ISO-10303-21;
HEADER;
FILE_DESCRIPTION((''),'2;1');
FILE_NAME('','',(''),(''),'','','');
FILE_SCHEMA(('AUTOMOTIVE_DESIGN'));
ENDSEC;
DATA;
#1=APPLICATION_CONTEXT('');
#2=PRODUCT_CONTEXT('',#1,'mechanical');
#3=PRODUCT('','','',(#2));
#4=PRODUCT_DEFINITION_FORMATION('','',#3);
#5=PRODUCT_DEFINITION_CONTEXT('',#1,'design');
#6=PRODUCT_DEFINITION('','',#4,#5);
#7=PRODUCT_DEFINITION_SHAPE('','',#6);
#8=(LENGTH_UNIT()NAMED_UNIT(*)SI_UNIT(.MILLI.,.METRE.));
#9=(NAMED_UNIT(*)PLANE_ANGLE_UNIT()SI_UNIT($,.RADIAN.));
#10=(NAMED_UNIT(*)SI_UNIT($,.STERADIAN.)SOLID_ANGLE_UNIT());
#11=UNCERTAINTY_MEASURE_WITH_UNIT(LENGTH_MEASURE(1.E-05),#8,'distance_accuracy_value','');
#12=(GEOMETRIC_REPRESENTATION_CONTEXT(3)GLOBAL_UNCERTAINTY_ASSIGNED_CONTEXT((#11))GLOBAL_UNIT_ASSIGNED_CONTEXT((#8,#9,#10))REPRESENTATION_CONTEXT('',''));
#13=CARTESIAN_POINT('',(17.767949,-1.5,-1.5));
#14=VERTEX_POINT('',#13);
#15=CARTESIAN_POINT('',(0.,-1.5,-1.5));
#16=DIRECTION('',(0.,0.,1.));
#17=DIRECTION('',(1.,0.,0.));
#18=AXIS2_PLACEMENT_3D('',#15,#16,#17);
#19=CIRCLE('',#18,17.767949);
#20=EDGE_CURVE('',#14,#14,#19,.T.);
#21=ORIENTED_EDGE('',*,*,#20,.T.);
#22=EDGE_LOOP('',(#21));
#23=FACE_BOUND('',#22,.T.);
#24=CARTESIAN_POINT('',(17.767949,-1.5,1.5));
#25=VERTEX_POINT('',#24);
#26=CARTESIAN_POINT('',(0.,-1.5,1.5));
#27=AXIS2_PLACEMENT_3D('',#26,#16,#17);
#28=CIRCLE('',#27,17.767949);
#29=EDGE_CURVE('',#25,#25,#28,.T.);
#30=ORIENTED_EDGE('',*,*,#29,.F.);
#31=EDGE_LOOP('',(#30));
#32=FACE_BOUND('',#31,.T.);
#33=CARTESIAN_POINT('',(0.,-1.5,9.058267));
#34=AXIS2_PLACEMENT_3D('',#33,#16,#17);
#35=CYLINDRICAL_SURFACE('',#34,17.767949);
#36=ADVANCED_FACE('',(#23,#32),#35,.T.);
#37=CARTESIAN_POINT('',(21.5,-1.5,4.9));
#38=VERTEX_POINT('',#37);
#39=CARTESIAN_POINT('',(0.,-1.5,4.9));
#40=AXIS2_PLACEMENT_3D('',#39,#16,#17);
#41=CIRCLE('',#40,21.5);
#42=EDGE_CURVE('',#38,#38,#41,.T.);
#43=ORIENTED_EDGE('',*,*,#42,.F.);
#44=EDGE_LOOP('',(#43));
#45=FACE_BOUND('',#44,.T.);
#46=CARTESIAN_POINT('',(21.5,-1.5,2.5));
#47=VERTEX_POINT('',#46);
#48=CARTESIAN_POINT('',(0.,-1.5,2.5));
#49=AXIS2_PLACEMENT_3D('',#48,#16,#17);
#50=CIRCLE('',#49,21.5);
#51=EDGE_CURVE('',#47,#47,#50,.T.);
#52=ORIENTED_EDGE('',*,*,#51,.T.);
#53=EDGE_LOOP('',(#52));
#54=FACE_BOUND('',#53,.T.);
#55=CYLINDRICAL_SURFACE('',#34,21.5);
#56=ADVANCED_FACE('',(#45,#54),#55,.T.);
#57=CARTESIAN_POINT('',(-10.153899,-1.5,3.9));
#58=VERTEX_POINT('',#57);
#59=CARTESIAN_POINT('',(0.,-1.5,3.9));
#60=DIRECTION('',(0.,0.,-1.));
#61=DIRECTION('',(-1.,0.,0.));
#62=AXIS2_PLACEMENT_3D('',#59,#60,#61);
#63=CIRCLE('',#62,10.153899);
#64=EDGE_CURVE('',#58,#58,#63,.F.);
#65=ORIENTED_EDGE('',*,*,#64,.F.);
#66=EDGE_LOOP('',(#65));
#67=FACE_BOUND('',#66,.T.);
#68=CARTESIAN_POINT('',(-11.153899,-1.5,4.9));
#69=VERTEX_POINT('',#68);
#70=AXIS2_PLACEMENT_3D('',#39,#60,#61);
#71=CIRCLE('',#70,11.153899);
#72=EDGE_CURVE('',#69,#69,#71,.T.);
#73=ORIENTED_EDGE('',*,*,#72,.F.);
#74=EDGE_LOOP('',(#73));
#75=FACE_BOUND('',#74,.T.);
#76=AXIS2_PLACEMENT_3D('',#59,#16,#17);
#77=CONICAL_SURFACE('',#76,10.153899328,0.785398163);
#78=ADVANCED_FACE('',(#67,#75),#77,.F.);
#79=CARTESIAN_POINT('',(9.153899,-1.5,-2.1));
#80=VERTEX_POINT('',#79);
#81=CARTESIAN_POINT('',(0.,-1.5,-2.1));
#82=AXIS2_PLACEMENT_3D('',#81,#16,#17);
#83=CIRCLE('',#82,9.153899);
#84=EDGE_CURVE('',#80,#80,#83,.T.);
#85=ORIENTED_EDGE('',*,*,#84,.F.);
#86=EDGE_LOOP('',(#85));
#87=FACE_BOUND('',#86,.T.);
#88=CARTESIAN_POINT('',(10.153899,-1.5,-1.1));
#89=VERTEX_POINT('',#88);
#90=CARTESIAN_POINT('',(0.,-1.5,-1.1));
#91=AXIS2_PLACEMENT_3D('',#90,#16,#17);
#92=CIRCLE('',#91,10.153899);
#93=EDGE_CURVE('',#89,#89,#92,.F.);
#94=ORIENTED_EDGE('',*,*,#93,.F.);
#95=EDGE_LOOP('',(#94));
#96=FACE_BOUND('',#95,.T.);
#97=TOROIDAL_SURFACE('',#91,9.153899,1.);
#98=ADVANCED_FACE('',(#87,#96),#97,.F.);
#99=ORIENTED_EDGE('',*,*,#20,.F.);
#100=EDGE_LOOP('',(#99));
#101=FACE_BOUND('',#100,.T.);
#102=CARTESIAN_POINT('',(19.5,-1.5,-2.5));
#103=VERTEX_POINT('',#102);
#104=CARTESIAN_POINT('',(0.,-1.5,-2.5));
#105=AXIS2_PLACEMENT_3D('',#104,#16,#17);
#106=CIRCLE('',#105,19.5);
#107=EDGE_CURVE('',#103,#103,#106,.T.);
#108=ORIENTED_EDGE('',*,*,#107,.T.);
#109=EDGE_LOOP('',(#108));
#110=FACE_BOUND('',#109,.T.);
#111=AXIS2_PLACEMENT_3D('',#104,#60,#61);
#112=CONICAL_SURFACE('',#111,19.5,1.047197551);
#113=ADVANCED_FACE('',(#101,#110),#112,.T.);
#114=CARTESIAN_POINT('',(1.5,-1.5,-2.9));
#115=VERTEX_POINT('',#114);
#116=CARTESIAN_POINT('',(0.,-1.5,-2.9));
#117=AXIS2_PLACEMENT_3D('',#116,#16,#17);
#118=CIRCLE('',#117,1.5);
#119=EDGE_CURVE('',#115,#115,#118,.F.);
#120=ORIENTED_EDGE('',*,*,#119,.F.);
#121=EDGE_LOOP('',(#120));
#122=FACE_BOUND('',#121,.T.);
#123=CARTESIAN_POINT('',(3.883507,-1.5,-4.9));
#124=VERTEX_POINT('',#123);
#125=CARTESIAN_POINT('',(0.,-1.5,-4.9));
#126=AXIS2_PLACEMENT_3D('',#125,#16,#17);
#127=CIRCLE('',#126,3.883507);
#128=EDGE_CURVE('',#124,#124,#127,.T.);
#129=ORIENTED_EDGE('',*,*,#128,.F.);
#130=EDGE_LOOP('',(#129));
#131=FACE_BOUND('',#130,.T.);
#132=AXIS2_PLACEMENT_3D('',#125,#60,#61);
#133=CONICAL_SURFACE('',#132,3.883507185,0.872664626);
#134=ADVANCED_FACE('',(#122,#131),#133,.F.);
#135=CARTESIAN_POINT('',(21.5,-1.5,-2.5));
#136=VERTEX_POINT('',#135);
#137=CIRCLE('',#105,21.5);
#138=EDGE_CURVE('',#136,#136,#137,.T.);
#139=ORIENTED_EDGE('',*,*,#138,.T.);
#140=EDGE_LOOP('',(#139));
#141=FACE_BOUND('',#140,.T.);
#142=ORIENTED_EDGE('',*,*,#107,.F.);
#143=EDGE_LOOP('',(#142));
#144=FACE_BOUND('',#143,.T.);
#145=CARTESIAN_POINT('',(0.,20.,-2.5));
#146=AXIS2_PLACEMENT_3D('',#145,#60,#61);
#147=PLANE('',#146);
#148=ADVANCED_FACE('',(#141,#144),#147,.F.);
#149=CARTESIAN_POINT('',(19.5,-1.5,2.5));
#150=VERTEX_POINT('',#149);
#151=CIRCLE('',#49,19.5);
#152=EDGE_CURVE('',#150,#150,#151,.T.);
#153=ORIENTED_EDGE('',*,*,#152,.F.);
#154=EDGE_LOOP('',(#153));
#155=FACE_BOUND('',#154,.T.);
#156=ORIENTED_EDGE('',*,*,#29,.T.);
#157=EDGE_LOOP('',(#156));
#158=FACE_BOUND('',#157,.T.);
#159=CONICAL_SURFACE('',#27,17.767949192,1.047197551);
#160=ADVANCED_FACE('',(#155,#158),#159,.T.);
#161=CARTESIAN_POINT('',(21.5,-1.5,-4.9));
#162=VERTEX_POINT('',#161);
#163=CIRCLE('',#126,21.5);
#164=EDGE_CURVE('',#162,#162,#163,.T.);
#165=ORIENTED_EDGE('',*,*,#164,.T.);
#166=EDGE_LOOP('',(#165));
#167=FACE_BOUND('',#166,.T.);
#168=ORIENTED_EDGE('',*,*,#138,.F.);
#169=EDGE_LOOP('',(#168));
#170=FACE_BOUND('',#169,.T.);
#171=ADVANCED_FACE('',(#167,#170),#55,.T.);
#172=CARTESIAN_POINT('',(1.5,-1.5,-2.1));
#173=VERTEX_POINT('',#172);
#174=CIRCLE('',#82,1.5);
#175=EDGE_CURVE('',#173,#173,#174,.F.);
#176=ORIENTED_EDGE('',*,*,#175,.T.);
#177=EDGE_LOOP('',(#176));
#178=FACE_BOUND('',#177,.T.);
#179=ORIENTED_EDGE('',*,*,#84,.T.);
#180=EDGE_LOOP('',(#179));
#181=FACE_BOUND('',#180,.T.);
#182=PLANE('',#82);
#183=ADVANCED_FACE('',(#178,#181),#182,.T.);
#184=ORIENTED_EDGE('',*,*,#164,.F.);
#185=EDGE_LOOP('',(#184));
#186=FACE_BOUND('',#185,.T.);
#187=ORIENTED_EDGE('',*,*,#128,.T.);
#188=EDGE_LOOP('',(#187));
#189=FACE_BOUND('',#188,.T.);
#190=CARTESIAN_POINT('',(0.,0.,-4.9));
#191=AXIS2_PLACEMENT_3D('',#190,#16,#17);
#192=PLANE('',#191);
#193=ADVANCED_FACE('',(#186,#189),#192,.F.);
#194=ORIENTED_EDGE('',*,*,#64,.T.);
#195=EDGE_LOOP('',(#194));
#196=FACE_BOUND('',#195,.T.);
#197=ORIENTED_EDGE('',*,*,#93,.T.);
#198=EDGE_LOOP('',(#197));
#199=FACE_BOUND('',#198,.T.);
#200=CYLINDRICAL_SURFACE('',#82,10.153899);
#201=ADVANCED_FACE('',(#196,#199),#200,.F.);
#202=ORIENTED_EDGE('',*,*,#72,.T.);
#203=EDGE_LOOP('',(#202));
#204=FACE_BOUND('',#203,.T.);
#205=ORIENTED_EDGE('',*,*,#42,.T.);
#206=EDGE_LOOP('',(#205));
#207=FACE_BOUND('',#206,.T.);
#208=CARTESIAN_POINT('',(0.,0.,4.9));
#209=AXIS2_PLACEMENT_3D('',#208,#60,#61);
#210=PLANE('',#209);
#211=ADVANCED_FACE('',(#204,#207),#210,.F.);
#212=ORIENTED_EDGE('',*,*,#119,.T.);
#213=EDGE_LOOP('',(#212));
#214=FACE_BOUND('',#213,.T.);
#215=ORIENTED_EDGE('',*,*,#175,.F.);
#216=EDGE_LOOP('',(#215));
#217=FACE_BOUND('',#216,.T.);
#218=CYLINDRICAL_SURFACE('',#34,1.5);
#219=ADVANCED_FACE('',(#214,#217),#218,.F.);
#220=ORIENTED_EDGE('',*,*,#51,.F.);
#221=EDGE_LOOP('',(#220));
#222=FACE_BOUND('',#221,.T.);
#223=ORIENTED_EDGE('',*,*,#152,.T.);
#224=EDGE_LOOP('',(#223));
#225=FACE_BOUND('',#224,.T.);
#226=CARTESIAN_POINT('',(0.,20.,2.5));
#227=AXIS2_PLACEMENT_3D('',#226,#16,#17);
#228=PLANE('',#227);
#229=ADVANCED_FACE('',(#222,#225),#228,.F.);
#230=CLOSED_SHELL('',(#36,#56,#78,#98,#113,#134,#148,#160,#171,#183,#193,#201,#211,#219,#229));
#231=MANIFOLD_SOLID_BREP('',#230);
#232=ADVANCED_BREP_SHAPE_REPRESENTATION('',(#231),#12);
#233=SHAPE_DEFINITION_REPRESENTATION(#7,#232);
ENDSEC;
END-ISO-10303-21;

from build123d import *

# Parameters (mm, degrees)
ESBO_O5_R             = 10.153899328
CORTE_EXTRUS_O1_DEPTH = 7
CHANFRO1_SIZE         = 1
FILETE1_R             = 1
CHANFRO2_SIZE         = 2
CHANFRO2_SIZE2        = 2.383507185


with BuildPart() as part:
    # Esboço4 → Revolução1 (revolve)
    with BuildSketch(Plane(origin=(0, 0, 0), x_dir=(0, 0, -1), z_dir=(1, 0, 0)), mode=Mode.PRIVATE) as revolu_o1_sk:
        Polygon((-4.9, 0), (-4.9, 20), (-2.5, 20), (-2.5, 18), (-1.5, 16.267949192), (0, 16.267949192), (1.5, 16.267949192), (2.5, 18), (2.5, 20), (4.9, 20), (4.9, 0), align=None)
    revolve(revolu_o1_sk.sketch.rotate(Axis((0, -1.5, 9.058267024), (0, 0, -1)), 90), axis=Axis((0, -1.5, 9.058267024), (0, 0, -1)))

    # Esboço5 → Corte-extrusão1 (cut)
    with BuildSketch(Plane.XY.offset(4.9)):
        with Locations((0, -1.5)):
            Circle(ESBO_O5_R)
    extrude(amount=-CORTE_EXTRUS_O1_DEPTH, mode=Mode.SUBTRACT)

    # Chanfro1
    chanfro1_edges = [part.edges().sort_by_distance(p)[0] for p in [
        (-10.153899328, -1.5, 4.9),
    ]]
    chamfer(chanfro1_edges, length=CHANFRO1_SIZE)

    # Filete1
    filete1_edges = [part.edges().sort_by_distance(p)[0] for p in [
        (-10.153899328, -1.5, -2.1),
    ]]
    fillet(filete1_edges, radius=FILETE1_R)

    # Chanfro2
    chanfro2_edges = [part.edges().sort_by_distance(p)[0] for p in [
        (-1.5, -1.5, -4.9),
    ]]
    chanfro2_side = [part.faces().sort_by_distance(p)[0] for p in [
        (-1.5, -1.5, -3.5),
    ]]
    chamfer(chanfro2_edges, length=CHANFRO2_SIZE, length2=CHANFRO2_SIZE2, reference=chanfro2_side[0])


solid = part.part
